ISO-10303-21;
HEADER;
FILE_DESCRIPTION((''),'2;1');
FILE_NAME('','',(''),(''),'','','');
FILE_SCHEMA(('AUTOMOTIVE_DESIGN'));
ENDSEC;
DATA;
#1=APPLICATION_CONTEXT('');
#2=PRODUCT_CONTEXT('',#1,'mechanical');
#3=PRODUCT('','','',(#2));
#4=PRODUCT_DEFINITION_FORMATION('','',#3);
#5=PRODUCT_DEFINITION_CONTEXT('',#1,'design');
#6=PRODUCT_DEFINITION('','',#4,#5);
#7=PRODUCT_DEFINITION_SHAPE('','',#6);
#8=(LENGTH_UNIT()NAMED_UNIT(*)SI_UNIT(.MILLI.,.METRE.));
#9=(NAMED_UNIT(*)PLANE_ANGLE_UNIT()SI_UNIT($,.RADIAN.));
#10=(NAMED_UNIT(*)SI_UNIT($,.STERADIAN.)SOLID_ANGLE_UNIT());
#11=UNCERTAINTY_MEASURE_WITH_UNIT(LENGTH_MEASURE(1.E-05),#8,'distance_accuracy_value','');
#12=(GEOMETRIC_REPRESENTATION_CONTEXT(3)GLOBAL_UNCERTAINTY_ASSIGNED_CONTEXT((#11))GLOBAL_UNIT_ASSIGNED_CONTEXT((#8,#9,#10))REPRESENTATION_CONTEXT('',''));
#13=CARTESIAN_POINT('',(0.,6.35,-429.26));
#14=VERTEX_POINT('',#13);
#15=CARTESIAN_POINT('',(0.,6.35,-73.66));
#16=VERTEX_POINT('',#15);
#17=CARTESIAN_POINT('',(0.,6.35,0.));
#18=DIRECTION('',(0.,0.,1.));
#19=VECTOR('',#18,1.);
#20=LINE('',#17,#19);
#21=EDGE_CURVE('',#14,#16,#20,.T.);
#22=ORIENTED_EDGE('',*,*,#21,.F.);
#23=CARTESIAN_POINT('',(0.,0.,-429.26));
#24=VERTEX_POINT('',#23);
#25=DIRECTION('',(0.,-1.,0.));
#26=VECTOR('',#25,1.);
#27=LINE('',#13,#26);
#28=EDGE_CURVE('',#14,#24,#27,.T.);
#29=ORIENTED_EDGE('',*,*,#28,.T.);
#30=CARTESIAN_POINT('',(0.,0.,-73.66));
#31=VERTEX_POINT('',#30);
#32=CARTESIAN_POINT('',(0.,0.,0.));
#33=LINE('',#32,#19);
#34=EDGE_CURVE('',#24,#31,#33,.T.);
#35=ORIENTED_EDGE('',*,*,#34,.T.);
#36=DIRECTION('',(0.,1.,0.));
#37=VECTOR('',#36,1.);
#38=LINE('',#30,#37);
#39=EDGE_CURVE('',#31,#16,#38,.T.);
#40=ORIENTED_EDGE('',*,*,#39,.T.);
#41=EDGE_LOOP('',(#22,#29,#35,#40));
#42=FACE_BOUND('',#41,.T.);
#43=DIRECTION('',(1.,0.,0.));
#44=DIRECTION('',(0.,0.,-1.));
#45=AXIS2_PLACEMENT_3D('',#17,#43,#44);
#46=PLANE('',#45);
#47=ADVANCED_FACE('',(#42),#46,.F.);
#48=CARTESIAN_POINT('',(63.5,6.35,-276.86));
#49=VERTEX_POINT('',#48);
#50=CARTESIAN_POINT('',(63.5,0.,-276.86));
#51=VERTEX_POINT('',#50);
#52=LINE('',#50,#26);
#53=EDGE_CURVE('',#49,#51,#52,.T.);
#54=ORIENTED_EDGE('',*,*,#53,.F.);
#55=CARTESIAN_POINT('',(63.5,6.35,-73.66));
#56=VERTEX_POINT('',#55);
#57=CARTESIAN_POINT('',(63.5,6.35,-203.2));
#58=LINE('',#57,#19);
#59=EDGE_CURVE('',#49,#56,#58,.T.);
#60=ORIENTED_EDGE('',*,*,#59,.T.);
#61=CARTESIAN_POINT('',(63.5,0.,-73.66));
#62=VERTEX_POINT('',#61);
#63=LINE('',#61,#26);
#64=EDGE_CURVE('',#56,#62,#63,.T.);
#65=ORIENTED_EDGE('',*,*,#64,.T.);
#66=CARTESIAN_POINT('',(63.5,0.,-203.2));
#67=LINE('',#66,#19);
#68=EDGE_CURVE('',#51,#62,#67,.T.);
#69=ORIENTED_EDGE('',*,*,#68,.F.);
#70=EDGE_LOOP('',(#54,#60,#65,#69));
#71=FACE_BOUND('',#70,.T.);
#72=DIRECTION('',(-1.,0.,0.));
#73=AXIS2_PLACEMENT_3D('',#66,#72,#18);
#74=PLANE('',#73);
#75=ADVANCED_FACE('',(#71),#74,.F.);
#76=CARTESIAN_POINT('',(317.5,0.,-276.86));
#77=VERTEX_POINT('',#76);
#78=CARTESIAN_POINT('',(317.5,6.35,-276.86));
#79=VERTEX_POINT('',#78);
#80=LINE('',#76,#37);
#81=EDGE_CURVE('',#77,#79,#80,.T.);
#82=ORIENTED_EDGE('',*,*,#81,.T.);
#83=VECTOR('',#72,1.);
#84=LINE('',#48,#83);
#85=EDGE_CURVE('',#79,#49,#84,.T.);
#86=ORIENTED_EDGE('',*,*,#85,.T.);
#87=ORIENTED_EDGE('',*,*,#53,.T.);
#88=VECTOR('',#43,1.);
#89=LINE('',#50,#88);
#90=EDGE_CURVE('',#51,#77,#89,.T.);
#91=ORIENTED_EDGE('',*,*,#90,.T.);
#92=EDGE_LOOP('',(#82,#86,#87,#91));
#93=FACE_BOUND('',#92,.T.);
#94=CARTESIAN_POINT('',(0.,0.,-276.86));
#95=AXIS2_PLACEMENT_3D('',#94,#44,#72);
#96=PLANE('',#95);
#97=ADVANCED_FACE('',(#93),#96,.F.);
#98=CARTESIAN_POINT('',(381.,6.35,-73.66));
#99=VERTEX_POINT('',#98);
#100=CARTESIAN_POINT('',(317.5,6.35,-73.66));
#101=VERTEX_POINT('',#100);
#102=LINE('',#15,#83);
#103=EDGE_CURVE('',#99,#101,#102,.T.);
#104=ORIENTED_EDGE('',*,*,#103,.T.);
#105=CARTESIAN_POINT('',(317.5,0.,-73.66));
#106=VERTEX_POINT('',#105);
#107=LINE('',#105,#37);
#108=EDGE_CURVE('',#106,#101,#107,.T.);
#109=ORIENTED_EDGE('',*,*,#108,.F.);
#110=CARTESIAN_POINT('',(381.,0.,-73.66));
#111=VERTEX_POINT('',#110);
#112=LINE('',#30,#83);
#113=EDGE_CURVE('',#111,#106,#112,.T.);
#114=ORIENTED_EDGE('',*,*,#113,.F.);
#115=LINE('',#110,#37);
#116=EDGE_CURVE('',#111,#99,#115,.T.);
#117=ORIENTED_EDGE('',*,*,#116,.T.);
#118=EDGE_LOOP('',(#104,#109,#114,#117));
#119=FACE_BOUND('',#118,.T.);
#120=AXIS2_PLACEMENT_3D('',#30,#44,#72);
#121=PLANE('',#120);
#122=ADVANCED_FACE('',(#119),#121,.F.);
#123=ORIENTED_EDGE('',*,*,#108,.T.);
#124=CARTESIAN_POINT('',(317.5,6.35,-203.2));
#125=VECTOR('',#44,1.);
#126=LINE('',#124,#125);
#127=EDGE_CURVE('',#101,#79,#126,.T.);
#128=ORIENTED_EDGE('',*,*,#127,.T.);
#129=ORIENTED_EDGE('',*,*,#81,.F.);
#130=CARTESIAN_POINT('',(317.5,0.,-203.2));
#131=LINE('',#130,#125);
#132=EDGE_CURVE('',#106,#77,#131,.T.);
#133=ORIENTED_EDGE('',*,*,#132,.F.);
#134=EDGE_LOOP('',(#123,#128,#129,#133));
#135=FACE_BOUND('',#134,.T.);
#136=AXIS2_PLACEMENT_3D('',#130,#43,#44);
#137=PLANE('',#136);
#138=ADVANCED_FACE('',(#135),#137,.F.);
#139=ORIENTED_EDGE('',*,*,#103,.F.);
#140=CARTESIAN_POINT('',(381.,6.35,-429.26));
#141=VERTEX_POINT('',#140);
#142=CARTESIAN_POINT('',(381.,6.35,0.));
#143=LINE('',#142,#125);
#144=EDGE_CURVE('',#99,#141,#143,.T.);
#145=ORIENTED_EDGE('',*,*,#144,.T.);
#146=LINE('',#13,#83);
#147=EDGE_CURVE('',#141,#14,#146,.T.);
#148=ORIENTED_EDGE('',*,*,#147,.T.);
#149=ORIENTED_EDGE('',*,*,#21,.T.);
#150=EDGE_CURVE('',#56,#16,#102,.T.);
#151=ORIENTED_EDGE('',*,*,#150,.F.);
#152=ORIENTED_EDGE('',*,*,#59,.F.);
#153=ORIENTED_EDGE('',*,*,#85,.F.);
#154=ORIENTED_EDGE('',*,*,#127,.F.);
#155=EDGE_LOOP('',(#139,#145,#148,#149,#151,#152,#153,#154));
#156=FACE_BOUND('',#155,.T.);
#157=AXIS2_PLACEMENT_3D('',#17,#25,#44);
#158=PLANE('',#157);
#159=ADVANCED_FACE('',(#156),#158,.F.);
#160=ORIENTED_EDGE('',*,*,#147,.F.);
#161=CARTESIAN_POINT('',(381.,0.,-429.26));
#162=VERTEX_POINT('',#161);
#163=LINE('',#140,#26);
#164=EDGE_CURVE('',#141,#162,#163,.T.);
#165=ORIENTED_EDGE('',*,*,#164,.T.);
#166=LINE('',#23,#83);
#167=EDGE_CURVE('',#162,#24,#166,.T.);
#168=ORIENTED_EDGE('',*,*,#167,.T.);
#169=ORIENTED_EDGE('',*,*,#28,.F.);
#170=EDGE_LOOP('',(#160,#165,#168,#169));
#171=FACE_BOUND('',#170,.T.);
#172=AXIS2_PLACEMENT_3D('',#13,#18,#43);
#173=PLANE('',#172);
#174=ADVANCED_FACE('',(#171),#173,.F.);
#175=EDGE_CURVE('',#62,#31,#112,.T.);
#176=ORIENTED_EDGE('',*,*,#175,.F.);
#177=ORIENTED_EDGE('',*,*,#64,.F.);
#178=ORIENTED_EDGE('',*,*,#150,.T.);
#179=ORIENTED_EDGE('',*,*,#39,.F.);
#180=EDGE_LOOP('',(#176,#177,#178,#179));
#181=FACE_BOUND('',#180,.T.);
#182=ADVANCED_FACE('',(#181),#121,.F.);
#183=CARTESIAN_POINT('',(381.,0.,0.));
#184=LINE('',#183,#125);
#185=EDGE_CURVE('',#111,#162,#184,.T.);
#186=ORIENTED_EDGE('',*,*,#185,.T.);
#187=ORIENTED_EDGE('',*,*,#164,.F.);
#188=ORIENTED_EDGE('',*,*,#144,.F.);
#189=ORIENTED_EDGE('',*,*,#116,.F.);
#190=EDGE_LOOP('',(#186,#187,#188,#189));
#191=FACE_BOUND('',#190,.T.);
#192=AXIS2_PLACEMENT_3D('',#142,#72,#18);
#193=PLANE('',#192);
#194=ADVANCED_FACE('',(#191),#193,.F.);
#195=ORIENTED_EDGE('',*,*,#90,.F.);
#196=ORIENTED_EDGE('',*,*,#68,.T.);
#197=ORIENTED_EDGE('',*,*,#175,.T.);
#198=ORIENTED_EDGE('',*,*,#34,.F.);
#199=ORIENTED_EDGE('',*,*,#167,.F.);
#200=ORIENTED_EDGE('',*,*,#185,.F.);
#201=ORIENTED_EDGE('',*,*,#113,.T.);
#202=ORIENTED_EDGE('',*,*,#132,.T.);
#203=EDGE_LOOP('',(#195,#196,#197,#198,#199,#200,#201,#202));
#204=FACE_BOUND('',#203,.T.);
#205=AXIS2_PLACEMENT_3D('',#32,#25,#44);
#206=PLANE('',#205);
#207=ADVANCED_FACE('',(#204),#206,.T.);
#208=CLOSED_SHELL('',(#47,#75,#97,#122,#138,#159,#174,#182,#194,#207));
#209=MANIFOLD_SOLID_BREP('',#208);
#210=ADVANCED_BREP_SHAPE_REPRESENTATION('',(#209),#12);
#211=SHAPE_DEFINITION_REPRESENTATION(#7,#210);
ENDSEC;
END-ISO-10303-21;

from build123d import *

# Parameters (mm, degrees)
SKETCH1_W           = 381
SKETCH1_H           = 429.26
BOSS_EXTRUDE1_DEPTH = 6.35
SKETCH2_W           = 254
SKETCH2_H           = 203.2
CUT_EXTRUDE1_DEPTH  = 6.35
SKETCH3_W           = 381
SKETCH3_H           = 73.66
CUT_EXTRUDE2_DEPTH  = 6.35
SKETCH4_W           = 254
SKETCH4_H           = 6.35
CUT_EXTRUDE3_DEPTH  = 73.66


with BuildPart() as part:
    # Sketch1 → Boss-Extrude1 (new body)
    with BuildSketch(Plane(origin=(0, 0, 0), x_dir=(1, 0, 0), z_dir=(0, 1, 0))):
        with Locations((190.5, 214.63)):
            Rectangle(SKETCH1_W, SKETCH1_H)
    extrude(amount=BOSS_EXTRUDE1_DEPTH)

    # Sketch2 → Cut-Extrude1 (cut)
    with BuildSketch(Plane(origin=(0, 6.35, 0), x_dir=(1, 0, 0), z_dir=(0, 1, 0))):
        with Locations((190.5, 101.6)):
            Rectangle(SKETCH2_W, SKETCH2_H)
    extrude(amount=-CUT_EXTRUDE1_DEPTH, mode=Mode.SUBTRACT)

    # Sketch3 → Cut-Extrude2 (cut)
    with BuildSketch(Plane(origin=(0, 6.35, 0), x_dir=(1, 0, 0), z_dir=(0, 1, 0))):
        with Locations((190.5, 36.83)):
            Rectangle(SKETCH3_W, SKETCH3_H)
    extrude(amount=-CUT_EXTRUDE2_DEPTH, mode=Mode.SUBTRACT)

    # Sketch4 → Cut-Extrude3 (cut)
    with BuildSketch(Plane.XY.offset(-203.2)):
        with Locations((190.5, 3.175)):
            Rectangle(SKETCH4_W, SKETCH4_H)
    extrude(amount=-CUT_EXTRUDE3_DEPTH, mode=Mode.SUBTRACT)


solid = part.part
